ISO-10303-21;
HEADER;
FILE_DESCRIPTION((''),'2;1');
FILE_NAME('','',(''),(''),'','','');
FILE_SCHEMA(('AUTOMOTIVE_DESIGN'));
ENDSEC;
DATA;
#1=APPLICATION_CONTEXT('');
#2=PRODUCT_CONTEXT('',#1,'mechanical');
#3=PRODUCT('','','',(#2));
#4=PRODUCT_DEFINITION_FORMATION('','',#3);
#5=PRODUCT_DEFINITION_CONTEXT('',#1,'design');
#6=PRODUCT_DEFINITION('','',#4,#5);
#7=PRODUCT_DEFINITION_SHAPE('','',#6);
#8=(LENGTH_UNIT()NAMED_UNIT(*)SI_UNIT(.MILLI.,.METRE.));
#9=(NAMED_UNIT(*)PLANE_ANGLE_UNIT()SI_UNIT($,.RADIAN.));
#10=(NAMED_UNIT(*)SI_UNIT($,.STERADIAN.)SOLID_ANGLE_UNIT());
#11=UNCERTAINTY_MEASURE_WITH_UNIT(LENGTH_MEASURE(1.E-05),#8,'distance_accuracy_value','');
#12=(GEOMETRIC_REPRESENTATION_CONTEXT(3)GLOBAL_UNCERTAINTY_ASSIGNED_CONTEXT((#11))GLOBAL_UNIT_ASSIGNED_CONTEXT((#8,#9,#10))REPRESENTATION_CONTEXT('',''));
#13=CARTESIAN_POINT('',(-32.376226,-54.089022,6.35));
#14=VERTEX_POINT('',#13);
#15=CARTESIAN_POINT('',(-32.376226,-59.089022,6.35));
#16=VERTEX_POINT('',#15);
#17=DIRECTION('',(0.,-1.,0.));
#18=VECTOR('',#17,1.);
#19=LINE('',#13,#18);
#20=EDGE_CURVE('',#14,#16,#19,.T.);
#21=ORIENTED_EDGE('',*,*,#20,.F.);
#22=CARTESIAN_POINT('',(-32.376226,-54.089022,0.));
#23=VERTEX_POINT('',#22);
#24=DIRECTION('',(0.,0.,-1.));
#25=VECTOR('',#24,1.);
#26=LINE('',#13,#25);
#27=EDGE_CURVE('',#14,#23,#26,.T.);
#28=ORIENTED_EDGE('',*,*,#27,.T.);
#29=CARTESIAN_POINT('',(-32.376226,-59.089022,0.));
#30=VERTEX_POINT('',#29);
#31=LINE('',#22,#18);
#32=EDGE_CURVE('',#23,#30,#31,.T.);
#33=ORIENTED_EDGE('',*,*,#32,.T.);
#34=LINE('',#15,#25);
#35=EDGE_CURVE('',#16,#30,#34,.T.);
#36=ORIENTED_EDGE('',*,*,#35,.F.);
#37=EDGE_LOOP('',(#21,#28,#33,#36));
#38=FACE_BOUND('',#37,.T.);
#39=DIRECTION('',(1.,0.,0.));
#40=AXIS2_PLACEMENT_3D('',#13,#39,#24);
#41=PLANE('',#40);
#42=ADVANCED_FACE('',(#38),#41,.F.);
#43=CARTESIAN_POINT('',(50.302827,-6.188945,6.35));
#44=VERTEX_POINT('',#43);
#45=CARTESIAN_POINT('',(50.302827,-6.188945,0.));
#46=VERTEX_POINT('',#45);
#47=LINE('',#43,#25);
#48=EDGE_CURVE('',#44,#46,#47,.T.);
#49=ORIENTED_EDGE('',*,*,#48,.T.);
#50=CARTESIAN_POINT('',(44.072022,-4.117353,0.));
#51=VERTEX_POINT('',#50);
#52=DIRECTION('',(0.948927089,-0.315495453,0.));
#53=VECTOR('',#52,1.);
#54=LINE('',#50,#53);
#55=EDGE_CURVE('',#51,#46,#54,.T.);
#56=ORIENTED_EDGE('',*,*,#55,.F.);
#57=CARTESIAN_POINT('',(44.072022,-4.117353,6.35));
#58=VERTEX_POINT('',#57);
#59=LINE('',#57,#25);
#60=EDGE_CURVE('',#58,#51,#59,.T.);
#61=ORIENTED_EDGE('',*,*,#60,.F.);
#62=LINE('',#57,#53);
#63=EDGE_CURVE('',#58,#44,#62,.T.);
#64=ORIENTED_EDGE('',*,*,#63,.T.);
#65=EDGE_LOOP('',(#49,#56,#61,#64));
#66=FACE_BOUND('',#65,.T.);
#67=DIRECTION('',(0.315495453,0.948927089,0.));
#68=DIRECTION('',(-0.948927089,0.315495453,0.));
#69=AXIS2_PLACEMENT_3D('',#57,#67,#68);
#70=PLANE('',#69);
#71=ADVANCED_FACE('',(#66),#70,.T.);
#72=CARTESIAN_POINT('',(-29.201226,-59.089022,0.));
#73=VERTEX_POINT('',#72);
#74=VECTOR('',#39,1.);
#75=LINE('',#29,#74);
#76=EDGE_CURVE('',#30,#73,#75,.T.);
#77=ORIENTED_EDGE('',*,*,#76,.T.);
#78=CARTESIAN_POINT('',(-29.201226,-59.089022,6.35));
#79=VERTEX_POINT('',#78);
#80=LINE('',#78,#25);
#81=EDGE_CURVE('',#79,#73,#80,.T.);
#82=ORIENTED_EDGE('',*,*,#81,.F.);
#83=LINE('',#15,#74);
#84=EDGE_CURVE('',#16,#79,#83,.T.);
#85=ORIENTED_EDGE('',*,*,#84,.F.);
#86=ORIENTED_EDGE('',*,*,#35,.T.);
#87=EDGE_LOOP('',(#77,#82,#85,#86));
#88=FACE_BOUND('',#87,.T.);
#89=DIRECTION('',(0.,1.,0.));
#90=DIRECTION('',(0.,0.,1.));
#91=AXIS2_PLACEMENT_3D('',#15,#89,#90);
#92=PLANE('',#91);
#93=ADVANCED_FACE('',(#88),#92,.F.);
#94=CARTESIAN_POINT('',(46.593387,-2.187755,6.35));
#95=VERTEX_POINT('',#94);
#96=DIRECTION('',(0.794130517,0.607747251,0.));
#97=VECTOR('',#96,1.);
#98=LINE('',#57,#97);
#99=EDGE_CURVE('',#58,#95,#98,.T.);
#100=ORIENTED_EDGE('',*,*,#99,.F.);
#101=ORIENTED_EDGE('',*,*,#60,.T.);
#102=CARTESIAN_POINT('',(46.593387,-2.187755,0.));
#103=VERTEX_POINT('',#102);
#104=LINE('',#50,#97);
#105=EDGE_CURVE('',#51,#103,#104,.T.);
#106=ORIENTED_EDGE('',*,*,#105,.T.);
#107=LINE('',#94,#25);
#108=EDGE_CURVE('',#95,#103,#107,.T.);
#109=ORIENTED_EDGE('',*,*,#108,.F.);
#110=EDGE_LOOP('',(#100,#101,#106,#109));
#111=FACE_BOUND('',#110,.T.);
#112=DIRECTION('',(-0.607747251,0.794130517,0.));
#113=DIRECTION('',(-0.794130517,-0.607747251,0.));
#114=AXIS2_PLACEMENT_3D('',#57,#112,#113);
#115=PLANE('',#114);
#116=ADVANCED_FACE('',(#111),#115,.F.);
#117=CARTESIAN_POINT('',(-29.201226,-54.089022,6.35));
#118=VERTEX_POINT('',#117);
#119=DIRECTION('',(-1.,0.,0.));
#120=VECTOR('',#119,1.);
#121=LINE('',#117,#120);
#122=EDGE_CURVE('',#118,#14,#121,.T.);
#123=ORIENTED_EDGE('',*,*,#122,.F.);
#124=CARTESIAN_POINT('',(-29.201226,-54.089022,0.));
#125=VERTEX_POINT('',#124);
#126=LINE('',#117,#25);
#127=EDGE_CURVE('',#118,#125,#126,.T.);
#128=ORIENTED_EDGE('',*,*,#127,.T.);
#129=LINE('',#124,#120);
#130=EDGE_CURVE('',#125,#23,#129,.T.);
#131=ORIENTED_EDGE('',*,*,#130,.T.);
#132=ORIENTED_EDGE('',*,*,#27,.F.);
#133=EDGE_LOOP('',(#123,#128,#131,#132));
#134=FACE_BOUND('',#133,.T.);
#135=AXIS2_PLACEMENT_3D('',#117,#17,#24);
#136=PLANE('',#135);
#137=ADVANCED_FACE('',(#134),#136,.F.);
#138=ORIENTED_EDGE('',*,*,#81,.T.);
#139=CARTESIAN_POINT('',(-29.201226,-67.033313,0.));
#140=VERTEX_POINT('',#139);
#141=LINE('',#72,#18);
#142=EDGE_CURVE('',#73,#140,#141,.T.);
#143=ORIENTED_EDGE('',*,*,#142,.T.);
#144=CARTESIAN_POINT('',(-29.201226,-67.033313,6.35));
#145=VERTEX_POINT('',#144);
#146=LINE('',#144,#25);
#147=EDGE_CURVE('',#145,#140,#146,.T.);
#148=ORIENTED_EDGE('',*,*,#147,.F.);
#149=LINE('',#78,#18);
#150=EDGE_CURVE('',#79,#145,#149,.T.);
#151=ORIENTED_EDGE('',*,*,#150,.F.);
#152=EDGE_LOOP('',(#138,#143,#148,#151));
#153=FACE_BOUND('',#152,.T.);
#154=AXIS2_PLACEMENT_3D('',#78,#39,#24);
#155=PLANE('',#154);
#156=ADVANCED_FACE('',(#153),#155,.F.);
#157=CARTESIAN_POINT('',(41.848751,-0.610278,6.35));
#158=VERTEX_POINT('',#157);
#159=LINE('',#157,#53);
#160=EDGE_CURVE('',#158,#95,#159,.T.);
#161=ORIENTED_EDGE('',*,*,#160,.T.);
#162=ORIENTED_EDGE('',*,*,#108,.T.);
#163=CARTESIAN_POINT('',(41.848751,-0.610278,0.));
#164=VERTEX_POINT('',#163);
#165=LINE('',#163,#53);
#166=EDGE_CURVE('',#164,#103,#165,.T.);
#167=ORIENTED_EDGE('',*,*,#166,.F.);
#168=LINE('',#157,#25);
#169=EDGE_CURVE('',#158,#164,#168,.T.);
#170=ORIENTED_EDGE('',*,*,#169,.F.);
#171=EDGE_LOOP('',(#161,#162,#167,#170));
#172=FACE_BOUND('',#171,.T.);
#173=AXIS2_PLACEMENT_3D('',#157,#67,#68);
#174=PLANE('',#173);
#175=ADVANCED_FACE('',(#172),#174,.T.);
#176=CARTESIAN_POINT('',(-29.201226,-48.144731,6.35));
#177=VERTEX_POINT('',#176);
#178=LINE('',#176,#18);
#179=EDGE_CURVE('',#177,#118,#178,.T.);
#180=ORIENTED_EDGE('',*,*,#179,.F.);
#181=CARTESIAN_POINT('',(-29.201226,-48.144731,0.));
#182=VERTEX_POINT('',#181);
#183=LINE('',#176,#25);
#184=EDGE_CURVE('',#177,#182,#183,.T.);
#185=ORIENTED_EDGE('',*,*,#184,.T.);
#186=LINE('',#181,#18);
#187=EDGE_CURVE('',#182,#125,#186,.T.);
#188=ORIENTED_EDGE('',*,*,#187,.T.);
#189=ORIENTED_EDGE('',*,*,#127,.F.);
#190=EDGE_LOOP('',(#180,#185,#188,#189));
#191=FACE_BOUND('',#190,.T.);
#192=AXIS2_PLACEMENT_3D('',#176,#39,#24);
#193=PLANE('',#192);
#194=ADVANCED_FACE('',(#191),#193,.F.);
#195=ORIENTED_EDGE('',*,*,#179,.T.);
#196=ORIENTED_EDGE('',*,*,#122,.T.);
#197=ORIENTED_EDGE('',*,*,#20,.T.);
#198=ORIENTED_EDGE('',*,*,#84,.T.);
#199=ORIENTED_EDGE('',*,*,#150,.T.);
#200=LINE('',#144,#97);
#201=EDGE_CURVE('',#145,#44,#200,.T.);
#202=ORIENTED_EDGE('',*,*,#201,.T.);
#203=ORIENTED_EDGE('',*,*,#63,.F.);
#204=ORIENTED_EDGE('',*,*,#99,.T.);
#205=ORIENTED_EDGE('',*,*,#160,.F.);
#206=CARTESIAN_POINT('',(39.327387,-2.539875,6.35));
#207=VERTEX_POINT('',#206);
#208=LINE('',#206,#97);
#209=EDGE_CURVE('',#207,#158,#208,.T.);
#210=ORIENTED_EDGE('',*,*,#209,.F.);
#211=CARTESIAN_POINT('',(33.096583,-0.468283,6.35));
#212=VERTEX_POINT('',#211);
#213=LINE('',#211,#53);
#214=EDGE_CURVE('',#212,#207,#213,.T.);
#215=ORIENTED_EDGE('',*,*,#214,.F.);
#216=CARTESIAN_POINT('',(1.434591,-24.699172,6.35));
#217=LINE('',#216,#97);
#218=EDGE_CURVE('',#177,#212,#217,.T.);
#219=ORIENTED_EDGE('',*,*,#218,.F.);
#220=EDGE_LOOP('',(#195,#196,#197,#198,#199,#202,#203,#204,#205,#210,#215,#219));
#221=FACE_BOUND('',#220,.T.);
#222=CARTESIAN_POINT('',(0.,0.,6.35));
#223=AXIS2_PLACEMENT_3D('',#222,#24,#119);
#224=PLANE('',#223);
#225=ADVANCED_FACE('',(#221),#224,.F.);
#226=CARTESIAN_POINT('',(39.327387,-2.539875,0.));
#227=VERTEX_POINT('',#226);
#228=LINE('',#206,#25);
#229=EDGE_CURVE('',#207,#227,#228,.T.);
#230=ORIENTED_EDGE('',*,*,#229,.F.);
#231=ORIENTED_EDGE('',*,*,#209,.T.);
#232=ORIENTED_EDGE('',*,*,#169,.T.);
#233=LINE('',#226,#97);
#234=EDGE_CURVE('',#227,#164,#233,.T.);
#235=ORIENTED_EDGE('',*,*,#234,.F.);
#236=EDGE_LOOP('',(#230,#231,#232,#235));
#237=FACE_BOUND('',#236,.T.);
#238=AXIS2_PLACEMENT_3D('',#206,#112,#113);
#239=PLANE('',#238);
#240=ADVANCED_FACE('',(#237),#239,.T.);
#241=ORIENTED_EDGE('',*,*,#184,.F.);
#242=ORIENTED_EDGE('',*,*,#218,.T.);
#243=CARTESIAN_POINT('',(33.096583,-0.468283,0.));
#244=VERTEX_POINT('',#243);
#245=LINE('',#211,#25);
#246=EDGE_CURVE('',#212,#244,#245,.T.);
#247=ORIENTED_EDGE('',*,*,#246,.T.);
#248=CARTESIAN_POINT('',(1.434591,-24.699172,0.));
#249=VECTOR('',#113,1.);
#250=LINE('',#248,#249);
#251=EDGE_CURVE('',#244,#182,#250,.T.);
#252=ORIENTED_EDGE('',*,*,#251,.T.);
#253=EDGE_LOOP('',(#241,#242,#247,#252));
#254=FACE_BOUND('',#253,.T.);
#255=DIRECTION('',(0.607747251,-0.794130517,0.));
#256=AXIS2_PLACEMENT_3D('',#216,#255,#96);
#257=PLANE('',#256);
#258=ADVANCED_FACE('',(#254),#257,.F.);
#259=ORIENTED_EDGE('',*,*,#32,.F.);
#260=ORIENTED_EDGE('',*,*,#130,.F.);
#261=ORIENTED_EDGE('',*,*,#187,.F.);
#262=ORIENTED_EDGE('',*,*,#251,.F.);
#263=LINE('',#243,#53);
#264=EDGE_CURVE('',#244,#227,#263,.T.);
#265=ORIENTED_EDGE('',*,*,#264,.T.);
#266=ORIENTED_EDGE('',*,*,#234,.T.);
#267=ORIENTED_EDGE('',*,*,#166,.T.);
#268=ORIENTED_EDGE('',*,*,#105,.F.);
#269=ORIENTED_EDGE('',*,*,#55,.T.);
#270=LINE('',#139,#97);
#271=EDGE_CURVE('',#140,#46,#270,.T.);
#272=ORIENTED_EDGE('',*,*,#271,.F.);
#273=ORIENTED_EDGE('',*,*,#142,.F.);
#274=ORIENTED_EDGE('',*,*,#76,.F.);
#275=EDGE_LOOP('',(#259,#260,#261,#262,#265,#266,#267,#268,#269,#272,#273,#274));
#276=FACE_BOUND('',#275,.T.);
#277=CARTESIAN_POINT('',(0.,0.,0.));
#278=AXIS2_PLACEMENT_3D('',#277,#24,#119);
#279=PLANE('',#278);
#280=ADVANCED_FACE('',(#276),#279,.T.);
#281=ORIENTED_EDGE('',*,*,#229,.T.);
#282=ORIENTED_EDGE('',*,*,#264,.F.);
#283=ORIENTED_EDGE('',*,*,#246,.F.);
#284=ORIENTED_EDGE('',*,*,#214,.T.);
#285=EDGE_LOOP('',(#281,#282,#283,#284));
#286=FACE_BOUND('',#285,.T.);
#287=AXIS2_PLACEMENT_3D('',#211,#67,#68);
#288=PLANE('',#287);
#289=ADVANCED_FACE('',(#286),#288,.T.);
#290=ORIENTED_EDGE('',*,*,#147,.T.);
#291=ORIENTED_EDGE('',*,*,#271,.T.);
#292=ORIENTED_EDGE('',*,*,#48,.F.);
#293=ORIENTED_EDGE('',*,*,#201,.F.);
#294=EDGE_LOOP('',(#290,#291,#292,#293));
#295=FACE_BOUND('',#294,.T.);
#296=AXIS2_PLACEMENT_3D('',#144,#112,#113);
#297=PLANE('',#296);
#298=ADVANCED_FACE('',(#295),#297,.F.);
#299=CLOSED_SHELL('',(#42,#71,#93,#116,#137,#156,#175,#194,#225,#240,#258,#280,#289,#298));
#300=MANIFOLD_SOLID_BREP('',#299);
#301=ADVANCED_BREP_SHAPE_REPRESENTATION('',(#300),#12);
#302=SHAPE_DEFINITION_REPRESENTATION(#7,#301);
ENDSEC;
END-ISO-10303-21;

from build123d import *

# Parameters (mm, degrees)
BOSS_EXTRUDE1_DEPTH = 6.35


with BuildPart() as part:
    # Sketch1 → Boss-Extrude1 (new body)
    with BuildSketch(Plane.XY):
        Polygon((-29.201226365, -67.033313465), (50.302826563, -6.188945238), (44.07202244, -4.117352604), (46.593386833, -2.187755082), (41.84875139, -0.610277819), (39.327386997, -2.539875342), (33.096582874, -0.468282708), (1.434591331, -24.69917159), (-29.201226365, -48.144730706), (-29.201226365, -54.089022086), (-32.376226365, -54.089022086), (-32.376226365, -59.089022086), (-29.201226365, -59.089022086), align=None)
    extrude(amount=BOSS_EXTRUDE1_DEPTH)


solid = part.part
